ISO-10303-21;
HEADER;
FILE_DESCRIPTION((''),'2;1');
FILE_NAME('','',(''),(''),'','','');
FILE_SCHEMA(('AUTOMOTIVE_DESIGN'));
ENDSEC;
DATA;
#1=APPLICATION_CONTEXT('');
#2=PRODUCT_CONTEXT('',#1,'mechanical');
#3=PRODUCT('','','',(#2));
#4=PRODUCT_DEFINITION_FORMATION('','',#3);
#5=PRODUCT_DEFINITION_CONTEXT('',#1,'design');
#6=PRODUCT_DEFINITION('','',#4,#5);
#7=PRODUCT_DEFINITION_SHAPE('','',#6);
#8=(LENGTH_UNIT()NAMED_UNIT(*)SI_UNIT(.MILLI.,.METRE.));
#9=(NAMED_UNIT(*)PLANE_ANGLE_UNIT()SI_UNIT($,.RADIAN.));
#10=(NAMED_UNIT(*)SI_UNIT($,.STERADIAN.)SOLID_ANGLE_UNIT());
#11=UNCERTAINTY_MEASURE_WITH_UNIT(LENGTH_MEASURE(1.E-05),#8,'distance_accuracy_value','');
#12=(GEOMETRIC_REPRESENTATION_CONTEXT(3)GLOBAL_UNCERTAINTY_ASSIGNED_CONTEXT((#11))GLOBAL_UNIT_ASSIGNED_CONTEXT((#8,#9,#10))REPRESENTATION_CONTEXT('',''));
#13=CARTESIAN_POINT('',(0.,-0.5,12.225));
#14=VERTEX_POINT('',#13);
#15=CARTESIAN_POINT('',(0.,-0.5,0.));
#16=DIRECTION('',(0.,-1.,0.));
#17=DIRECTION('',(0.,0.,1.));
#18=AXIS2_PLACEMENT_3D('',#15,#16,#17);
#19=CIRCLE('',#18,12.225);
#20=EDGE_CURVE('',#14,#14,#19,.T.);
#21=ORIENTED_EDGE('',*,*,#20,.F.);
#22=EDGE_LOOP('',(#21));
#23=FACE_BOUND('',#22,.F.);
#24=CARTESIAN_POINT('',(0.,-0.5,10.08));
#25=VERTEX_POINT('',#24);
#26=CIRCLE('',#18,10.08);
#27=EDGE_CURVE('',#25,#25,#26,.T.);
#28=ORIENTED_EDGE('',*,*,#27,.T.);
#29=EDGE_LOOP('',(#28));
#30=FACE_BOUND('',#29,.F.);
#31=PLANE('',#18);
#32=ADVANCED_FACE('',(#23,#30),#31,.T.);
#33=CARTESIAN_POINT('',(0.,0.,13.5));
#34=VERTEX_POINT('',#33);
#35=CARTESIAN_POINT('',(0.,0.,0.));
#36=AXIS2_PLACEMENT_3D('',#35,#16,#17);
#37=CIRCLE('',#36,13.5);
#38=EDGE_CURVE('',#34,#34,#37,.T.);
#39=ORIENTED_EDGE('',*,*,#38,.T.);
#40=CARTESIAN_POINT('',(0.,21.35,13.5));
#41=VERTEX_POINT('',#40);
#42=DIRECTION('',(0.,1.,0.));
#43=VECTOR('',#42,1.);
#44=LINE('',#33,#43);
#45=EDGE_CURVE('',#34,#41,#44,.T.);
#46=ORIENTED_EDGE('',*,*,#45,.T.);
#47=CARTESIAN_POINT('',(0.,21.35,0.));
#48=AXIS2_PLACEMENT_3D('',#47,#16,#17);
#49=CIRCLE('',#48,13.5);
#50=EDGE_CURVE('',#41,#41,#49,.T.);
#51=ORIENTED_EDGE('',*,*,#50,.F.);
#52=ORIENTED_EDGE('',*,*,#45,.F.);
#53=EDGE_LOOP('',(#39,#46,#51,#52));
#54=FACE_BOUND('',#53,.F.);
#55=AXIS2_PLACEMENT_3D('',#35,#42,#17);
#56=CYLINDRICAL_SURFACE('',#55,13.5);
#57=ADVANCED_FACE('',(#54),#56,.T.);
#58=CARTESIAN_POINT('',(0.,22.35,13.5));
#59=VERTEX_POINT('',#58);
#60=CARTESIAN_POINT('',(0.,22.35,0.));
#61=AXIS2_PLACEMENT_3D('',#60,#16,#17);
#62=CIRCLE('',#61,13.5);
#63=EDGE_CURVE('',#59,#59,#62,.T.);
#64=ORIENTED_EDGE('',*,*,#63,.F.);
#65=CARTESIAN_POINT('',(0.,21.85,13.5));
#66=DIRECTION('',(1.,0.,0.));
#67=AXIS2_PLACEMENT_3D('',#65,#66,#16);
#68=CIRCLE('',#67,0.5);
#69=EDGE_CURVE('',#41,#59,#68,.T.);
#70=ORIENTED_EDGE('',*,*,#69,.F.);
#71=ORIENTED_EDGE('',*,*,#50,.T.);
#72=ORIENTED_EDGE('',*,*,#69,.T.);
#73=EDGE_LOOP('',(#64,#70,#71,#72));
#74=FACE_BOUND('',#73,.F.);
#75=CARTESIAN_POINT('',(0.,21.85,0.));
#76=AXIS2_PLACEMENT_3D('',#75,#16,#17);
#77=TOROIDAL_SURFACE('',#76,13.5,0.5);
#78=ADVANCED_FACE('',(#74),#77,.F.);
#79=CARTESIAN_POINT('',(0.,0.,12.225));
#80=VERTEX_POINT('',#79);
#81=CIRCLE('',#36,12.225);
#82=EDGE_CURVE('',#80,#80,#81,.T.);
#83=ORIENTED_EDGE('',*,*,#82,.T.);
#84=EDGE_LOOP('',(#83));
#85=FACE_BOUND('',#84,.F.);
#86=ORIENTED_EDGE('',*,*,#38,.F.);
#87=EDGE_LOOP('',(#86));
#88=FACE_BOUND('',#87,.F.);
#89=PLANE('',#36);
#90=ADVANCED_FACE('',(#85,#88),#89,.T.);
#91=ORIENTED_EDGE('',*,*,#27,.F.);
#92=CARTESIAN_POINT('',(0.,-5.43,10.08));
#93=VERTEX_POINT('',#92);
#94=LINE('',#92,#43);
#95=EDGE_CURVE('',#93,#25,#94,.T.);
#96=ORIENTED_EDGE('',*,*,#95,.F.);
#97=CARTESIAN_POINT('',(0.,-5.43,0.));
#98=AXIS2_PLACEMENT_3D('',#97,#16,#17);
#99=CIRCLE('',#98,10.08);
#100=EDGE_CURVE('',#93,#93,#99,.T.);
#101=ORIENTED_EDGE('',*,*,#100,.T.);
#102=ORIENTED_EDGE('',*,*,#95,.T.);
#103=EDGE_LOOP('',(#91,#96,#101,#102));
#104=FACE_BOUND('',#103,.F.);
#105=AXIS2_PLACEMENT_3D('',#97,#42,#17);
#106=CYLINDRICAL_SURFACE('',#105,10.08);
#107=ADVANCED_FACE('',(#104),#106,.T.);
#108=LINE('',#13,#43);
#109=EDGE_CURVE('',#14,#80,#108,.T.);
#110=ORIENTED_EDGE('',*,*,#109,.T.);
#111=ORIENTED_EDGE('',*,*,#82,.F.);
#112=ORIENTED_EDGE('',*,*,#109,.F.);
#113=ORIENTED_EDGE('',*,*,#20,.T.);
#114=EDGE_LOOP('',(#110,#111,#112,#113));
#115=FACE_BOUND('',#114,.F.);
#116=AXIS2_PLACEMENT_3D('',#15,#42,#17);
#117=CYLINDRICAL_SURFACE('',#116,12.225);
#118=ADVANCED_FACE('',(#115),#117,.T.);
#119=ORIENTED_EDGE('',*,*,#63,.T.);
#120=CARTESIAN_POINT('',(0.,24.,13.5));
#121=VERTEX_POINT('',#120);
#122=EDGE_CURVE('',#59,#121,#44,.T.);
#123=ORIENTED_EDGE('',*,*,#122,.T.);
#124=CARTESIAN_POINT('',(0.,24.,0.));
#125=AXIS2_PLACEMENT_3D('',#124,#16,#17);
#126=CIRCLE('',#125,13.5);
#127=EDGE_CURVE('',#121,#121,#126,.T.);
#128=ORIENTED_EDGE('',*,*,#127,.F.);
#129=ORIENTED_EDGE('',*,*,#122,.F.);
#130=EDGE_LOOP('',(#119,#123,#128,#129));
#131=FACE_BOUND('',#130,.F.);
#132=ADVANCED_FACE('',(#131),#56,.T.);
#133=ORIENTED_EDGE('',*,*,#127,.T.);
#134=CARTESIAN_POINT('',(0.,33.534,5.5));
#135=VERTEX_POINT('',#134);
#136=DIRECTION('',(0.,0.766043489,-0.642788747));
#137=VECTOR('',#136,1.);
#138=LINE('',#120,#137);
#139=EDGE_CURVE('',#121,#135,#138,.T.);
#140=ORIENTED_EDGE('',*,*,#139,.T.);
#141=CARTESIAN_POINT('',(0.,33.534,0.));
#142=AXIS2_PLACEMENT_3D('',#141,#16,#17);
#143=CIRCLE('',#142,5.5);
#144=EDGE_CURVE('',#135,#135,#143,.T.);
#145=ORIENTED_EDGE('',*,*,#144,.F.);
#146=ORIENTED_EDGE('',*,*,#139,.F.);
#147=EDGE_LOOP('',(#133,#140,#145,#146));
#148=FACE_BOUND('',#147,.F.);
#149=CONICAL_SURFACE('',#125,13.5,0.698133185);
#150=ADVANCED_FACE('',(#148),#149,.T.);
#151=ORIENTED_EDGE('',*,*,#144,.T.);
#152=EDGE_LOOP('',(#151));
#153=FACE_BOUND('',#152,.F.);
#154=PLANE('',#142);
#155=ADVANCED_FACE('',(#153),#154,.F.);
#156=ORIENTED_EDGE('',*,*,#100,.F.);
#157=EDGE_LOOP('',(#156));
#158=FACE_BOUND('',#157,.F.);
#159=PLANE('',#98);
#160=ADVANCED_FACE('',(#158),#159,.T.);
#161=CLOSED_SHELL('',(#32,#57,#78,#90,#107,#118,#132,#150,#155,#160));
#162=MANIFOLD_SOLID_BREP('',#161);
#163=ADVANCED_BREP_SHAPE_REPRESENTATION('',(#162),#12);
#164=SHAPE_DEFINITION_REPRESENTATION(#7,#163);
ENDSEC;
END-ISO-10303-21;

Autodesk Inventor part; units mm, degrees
ref_plane "YZ Plane" through (0, 0, 0) normal (1, 0, 0) x (0, 1, 0)
ref_plane "XZ Plane" through (0, 0, 0) normal (0, 1, 0) x (-1, 0, 0)
ref_plane "XY Plane" through (0, 0, 0) normal (0, 0, 1) x (1, 0, 0)
sketch "Skizze1" plane through (0, 0, 0) normal (1, 0, 0) x (0, 1, 0)
  line L0 (0, 13.5) -> (24, 13.5)
  line L1 (24, 13.5) -> (33.534, 5.5)
  line L2 (33.534, 5.5) -> (33.534, 0)
  line L3 (33.534, 0) -> (0, 0)
  line L4 (0, 0) -> (0, 13.5)
  arc A0 (21.35, 13.5) -> (22.35, 13.5) centre (21.85, 13.5) ccw
  line L5 (0, 0) -> (-0.5, 0)
  line L6 (-0.5, 0) -> (-0.5, 12.225)
  line L7 (-0.5, 12.225) -> (0, 12.225)
  line L8 (0, 12.225) -> (0, 0)
  line L9 (-0.5, 0) -> (-5.43, 0)
  line L10 (-5.43, 0) -> (-5.43, 10.08)
  line L11 (-5.43, 10.08) -> (-0.5, 10.08)
  line L12 (-0.5, 10.08) -> (-0.5, 0)
  point P0 (-0.5, 10.08)
  dimension "d0" = 24
  dimension "d1" = 140
  dimension "d2" = 5.5
  dimension "d3" = 1
  dimension "d4" = 0.5
  dimension "d5" = 1.65
  dimension "d6" = 0.5
  dimension "d7" = 12.225
  dimension "d8" = 4.93
  dimension "d9" = 10.08
revolve "Umdrehung1" add sketch "Skizze1" angle 360 about axis through (0, 33.534, 0) along (0, -1, 0) contours L0 A0 L1 L2 L3 L4 | L4 L5 L6 L7 | L9 L10 L11 L6
properties part number "00_10x_Objective_ViewSolutions_bm05073332"
